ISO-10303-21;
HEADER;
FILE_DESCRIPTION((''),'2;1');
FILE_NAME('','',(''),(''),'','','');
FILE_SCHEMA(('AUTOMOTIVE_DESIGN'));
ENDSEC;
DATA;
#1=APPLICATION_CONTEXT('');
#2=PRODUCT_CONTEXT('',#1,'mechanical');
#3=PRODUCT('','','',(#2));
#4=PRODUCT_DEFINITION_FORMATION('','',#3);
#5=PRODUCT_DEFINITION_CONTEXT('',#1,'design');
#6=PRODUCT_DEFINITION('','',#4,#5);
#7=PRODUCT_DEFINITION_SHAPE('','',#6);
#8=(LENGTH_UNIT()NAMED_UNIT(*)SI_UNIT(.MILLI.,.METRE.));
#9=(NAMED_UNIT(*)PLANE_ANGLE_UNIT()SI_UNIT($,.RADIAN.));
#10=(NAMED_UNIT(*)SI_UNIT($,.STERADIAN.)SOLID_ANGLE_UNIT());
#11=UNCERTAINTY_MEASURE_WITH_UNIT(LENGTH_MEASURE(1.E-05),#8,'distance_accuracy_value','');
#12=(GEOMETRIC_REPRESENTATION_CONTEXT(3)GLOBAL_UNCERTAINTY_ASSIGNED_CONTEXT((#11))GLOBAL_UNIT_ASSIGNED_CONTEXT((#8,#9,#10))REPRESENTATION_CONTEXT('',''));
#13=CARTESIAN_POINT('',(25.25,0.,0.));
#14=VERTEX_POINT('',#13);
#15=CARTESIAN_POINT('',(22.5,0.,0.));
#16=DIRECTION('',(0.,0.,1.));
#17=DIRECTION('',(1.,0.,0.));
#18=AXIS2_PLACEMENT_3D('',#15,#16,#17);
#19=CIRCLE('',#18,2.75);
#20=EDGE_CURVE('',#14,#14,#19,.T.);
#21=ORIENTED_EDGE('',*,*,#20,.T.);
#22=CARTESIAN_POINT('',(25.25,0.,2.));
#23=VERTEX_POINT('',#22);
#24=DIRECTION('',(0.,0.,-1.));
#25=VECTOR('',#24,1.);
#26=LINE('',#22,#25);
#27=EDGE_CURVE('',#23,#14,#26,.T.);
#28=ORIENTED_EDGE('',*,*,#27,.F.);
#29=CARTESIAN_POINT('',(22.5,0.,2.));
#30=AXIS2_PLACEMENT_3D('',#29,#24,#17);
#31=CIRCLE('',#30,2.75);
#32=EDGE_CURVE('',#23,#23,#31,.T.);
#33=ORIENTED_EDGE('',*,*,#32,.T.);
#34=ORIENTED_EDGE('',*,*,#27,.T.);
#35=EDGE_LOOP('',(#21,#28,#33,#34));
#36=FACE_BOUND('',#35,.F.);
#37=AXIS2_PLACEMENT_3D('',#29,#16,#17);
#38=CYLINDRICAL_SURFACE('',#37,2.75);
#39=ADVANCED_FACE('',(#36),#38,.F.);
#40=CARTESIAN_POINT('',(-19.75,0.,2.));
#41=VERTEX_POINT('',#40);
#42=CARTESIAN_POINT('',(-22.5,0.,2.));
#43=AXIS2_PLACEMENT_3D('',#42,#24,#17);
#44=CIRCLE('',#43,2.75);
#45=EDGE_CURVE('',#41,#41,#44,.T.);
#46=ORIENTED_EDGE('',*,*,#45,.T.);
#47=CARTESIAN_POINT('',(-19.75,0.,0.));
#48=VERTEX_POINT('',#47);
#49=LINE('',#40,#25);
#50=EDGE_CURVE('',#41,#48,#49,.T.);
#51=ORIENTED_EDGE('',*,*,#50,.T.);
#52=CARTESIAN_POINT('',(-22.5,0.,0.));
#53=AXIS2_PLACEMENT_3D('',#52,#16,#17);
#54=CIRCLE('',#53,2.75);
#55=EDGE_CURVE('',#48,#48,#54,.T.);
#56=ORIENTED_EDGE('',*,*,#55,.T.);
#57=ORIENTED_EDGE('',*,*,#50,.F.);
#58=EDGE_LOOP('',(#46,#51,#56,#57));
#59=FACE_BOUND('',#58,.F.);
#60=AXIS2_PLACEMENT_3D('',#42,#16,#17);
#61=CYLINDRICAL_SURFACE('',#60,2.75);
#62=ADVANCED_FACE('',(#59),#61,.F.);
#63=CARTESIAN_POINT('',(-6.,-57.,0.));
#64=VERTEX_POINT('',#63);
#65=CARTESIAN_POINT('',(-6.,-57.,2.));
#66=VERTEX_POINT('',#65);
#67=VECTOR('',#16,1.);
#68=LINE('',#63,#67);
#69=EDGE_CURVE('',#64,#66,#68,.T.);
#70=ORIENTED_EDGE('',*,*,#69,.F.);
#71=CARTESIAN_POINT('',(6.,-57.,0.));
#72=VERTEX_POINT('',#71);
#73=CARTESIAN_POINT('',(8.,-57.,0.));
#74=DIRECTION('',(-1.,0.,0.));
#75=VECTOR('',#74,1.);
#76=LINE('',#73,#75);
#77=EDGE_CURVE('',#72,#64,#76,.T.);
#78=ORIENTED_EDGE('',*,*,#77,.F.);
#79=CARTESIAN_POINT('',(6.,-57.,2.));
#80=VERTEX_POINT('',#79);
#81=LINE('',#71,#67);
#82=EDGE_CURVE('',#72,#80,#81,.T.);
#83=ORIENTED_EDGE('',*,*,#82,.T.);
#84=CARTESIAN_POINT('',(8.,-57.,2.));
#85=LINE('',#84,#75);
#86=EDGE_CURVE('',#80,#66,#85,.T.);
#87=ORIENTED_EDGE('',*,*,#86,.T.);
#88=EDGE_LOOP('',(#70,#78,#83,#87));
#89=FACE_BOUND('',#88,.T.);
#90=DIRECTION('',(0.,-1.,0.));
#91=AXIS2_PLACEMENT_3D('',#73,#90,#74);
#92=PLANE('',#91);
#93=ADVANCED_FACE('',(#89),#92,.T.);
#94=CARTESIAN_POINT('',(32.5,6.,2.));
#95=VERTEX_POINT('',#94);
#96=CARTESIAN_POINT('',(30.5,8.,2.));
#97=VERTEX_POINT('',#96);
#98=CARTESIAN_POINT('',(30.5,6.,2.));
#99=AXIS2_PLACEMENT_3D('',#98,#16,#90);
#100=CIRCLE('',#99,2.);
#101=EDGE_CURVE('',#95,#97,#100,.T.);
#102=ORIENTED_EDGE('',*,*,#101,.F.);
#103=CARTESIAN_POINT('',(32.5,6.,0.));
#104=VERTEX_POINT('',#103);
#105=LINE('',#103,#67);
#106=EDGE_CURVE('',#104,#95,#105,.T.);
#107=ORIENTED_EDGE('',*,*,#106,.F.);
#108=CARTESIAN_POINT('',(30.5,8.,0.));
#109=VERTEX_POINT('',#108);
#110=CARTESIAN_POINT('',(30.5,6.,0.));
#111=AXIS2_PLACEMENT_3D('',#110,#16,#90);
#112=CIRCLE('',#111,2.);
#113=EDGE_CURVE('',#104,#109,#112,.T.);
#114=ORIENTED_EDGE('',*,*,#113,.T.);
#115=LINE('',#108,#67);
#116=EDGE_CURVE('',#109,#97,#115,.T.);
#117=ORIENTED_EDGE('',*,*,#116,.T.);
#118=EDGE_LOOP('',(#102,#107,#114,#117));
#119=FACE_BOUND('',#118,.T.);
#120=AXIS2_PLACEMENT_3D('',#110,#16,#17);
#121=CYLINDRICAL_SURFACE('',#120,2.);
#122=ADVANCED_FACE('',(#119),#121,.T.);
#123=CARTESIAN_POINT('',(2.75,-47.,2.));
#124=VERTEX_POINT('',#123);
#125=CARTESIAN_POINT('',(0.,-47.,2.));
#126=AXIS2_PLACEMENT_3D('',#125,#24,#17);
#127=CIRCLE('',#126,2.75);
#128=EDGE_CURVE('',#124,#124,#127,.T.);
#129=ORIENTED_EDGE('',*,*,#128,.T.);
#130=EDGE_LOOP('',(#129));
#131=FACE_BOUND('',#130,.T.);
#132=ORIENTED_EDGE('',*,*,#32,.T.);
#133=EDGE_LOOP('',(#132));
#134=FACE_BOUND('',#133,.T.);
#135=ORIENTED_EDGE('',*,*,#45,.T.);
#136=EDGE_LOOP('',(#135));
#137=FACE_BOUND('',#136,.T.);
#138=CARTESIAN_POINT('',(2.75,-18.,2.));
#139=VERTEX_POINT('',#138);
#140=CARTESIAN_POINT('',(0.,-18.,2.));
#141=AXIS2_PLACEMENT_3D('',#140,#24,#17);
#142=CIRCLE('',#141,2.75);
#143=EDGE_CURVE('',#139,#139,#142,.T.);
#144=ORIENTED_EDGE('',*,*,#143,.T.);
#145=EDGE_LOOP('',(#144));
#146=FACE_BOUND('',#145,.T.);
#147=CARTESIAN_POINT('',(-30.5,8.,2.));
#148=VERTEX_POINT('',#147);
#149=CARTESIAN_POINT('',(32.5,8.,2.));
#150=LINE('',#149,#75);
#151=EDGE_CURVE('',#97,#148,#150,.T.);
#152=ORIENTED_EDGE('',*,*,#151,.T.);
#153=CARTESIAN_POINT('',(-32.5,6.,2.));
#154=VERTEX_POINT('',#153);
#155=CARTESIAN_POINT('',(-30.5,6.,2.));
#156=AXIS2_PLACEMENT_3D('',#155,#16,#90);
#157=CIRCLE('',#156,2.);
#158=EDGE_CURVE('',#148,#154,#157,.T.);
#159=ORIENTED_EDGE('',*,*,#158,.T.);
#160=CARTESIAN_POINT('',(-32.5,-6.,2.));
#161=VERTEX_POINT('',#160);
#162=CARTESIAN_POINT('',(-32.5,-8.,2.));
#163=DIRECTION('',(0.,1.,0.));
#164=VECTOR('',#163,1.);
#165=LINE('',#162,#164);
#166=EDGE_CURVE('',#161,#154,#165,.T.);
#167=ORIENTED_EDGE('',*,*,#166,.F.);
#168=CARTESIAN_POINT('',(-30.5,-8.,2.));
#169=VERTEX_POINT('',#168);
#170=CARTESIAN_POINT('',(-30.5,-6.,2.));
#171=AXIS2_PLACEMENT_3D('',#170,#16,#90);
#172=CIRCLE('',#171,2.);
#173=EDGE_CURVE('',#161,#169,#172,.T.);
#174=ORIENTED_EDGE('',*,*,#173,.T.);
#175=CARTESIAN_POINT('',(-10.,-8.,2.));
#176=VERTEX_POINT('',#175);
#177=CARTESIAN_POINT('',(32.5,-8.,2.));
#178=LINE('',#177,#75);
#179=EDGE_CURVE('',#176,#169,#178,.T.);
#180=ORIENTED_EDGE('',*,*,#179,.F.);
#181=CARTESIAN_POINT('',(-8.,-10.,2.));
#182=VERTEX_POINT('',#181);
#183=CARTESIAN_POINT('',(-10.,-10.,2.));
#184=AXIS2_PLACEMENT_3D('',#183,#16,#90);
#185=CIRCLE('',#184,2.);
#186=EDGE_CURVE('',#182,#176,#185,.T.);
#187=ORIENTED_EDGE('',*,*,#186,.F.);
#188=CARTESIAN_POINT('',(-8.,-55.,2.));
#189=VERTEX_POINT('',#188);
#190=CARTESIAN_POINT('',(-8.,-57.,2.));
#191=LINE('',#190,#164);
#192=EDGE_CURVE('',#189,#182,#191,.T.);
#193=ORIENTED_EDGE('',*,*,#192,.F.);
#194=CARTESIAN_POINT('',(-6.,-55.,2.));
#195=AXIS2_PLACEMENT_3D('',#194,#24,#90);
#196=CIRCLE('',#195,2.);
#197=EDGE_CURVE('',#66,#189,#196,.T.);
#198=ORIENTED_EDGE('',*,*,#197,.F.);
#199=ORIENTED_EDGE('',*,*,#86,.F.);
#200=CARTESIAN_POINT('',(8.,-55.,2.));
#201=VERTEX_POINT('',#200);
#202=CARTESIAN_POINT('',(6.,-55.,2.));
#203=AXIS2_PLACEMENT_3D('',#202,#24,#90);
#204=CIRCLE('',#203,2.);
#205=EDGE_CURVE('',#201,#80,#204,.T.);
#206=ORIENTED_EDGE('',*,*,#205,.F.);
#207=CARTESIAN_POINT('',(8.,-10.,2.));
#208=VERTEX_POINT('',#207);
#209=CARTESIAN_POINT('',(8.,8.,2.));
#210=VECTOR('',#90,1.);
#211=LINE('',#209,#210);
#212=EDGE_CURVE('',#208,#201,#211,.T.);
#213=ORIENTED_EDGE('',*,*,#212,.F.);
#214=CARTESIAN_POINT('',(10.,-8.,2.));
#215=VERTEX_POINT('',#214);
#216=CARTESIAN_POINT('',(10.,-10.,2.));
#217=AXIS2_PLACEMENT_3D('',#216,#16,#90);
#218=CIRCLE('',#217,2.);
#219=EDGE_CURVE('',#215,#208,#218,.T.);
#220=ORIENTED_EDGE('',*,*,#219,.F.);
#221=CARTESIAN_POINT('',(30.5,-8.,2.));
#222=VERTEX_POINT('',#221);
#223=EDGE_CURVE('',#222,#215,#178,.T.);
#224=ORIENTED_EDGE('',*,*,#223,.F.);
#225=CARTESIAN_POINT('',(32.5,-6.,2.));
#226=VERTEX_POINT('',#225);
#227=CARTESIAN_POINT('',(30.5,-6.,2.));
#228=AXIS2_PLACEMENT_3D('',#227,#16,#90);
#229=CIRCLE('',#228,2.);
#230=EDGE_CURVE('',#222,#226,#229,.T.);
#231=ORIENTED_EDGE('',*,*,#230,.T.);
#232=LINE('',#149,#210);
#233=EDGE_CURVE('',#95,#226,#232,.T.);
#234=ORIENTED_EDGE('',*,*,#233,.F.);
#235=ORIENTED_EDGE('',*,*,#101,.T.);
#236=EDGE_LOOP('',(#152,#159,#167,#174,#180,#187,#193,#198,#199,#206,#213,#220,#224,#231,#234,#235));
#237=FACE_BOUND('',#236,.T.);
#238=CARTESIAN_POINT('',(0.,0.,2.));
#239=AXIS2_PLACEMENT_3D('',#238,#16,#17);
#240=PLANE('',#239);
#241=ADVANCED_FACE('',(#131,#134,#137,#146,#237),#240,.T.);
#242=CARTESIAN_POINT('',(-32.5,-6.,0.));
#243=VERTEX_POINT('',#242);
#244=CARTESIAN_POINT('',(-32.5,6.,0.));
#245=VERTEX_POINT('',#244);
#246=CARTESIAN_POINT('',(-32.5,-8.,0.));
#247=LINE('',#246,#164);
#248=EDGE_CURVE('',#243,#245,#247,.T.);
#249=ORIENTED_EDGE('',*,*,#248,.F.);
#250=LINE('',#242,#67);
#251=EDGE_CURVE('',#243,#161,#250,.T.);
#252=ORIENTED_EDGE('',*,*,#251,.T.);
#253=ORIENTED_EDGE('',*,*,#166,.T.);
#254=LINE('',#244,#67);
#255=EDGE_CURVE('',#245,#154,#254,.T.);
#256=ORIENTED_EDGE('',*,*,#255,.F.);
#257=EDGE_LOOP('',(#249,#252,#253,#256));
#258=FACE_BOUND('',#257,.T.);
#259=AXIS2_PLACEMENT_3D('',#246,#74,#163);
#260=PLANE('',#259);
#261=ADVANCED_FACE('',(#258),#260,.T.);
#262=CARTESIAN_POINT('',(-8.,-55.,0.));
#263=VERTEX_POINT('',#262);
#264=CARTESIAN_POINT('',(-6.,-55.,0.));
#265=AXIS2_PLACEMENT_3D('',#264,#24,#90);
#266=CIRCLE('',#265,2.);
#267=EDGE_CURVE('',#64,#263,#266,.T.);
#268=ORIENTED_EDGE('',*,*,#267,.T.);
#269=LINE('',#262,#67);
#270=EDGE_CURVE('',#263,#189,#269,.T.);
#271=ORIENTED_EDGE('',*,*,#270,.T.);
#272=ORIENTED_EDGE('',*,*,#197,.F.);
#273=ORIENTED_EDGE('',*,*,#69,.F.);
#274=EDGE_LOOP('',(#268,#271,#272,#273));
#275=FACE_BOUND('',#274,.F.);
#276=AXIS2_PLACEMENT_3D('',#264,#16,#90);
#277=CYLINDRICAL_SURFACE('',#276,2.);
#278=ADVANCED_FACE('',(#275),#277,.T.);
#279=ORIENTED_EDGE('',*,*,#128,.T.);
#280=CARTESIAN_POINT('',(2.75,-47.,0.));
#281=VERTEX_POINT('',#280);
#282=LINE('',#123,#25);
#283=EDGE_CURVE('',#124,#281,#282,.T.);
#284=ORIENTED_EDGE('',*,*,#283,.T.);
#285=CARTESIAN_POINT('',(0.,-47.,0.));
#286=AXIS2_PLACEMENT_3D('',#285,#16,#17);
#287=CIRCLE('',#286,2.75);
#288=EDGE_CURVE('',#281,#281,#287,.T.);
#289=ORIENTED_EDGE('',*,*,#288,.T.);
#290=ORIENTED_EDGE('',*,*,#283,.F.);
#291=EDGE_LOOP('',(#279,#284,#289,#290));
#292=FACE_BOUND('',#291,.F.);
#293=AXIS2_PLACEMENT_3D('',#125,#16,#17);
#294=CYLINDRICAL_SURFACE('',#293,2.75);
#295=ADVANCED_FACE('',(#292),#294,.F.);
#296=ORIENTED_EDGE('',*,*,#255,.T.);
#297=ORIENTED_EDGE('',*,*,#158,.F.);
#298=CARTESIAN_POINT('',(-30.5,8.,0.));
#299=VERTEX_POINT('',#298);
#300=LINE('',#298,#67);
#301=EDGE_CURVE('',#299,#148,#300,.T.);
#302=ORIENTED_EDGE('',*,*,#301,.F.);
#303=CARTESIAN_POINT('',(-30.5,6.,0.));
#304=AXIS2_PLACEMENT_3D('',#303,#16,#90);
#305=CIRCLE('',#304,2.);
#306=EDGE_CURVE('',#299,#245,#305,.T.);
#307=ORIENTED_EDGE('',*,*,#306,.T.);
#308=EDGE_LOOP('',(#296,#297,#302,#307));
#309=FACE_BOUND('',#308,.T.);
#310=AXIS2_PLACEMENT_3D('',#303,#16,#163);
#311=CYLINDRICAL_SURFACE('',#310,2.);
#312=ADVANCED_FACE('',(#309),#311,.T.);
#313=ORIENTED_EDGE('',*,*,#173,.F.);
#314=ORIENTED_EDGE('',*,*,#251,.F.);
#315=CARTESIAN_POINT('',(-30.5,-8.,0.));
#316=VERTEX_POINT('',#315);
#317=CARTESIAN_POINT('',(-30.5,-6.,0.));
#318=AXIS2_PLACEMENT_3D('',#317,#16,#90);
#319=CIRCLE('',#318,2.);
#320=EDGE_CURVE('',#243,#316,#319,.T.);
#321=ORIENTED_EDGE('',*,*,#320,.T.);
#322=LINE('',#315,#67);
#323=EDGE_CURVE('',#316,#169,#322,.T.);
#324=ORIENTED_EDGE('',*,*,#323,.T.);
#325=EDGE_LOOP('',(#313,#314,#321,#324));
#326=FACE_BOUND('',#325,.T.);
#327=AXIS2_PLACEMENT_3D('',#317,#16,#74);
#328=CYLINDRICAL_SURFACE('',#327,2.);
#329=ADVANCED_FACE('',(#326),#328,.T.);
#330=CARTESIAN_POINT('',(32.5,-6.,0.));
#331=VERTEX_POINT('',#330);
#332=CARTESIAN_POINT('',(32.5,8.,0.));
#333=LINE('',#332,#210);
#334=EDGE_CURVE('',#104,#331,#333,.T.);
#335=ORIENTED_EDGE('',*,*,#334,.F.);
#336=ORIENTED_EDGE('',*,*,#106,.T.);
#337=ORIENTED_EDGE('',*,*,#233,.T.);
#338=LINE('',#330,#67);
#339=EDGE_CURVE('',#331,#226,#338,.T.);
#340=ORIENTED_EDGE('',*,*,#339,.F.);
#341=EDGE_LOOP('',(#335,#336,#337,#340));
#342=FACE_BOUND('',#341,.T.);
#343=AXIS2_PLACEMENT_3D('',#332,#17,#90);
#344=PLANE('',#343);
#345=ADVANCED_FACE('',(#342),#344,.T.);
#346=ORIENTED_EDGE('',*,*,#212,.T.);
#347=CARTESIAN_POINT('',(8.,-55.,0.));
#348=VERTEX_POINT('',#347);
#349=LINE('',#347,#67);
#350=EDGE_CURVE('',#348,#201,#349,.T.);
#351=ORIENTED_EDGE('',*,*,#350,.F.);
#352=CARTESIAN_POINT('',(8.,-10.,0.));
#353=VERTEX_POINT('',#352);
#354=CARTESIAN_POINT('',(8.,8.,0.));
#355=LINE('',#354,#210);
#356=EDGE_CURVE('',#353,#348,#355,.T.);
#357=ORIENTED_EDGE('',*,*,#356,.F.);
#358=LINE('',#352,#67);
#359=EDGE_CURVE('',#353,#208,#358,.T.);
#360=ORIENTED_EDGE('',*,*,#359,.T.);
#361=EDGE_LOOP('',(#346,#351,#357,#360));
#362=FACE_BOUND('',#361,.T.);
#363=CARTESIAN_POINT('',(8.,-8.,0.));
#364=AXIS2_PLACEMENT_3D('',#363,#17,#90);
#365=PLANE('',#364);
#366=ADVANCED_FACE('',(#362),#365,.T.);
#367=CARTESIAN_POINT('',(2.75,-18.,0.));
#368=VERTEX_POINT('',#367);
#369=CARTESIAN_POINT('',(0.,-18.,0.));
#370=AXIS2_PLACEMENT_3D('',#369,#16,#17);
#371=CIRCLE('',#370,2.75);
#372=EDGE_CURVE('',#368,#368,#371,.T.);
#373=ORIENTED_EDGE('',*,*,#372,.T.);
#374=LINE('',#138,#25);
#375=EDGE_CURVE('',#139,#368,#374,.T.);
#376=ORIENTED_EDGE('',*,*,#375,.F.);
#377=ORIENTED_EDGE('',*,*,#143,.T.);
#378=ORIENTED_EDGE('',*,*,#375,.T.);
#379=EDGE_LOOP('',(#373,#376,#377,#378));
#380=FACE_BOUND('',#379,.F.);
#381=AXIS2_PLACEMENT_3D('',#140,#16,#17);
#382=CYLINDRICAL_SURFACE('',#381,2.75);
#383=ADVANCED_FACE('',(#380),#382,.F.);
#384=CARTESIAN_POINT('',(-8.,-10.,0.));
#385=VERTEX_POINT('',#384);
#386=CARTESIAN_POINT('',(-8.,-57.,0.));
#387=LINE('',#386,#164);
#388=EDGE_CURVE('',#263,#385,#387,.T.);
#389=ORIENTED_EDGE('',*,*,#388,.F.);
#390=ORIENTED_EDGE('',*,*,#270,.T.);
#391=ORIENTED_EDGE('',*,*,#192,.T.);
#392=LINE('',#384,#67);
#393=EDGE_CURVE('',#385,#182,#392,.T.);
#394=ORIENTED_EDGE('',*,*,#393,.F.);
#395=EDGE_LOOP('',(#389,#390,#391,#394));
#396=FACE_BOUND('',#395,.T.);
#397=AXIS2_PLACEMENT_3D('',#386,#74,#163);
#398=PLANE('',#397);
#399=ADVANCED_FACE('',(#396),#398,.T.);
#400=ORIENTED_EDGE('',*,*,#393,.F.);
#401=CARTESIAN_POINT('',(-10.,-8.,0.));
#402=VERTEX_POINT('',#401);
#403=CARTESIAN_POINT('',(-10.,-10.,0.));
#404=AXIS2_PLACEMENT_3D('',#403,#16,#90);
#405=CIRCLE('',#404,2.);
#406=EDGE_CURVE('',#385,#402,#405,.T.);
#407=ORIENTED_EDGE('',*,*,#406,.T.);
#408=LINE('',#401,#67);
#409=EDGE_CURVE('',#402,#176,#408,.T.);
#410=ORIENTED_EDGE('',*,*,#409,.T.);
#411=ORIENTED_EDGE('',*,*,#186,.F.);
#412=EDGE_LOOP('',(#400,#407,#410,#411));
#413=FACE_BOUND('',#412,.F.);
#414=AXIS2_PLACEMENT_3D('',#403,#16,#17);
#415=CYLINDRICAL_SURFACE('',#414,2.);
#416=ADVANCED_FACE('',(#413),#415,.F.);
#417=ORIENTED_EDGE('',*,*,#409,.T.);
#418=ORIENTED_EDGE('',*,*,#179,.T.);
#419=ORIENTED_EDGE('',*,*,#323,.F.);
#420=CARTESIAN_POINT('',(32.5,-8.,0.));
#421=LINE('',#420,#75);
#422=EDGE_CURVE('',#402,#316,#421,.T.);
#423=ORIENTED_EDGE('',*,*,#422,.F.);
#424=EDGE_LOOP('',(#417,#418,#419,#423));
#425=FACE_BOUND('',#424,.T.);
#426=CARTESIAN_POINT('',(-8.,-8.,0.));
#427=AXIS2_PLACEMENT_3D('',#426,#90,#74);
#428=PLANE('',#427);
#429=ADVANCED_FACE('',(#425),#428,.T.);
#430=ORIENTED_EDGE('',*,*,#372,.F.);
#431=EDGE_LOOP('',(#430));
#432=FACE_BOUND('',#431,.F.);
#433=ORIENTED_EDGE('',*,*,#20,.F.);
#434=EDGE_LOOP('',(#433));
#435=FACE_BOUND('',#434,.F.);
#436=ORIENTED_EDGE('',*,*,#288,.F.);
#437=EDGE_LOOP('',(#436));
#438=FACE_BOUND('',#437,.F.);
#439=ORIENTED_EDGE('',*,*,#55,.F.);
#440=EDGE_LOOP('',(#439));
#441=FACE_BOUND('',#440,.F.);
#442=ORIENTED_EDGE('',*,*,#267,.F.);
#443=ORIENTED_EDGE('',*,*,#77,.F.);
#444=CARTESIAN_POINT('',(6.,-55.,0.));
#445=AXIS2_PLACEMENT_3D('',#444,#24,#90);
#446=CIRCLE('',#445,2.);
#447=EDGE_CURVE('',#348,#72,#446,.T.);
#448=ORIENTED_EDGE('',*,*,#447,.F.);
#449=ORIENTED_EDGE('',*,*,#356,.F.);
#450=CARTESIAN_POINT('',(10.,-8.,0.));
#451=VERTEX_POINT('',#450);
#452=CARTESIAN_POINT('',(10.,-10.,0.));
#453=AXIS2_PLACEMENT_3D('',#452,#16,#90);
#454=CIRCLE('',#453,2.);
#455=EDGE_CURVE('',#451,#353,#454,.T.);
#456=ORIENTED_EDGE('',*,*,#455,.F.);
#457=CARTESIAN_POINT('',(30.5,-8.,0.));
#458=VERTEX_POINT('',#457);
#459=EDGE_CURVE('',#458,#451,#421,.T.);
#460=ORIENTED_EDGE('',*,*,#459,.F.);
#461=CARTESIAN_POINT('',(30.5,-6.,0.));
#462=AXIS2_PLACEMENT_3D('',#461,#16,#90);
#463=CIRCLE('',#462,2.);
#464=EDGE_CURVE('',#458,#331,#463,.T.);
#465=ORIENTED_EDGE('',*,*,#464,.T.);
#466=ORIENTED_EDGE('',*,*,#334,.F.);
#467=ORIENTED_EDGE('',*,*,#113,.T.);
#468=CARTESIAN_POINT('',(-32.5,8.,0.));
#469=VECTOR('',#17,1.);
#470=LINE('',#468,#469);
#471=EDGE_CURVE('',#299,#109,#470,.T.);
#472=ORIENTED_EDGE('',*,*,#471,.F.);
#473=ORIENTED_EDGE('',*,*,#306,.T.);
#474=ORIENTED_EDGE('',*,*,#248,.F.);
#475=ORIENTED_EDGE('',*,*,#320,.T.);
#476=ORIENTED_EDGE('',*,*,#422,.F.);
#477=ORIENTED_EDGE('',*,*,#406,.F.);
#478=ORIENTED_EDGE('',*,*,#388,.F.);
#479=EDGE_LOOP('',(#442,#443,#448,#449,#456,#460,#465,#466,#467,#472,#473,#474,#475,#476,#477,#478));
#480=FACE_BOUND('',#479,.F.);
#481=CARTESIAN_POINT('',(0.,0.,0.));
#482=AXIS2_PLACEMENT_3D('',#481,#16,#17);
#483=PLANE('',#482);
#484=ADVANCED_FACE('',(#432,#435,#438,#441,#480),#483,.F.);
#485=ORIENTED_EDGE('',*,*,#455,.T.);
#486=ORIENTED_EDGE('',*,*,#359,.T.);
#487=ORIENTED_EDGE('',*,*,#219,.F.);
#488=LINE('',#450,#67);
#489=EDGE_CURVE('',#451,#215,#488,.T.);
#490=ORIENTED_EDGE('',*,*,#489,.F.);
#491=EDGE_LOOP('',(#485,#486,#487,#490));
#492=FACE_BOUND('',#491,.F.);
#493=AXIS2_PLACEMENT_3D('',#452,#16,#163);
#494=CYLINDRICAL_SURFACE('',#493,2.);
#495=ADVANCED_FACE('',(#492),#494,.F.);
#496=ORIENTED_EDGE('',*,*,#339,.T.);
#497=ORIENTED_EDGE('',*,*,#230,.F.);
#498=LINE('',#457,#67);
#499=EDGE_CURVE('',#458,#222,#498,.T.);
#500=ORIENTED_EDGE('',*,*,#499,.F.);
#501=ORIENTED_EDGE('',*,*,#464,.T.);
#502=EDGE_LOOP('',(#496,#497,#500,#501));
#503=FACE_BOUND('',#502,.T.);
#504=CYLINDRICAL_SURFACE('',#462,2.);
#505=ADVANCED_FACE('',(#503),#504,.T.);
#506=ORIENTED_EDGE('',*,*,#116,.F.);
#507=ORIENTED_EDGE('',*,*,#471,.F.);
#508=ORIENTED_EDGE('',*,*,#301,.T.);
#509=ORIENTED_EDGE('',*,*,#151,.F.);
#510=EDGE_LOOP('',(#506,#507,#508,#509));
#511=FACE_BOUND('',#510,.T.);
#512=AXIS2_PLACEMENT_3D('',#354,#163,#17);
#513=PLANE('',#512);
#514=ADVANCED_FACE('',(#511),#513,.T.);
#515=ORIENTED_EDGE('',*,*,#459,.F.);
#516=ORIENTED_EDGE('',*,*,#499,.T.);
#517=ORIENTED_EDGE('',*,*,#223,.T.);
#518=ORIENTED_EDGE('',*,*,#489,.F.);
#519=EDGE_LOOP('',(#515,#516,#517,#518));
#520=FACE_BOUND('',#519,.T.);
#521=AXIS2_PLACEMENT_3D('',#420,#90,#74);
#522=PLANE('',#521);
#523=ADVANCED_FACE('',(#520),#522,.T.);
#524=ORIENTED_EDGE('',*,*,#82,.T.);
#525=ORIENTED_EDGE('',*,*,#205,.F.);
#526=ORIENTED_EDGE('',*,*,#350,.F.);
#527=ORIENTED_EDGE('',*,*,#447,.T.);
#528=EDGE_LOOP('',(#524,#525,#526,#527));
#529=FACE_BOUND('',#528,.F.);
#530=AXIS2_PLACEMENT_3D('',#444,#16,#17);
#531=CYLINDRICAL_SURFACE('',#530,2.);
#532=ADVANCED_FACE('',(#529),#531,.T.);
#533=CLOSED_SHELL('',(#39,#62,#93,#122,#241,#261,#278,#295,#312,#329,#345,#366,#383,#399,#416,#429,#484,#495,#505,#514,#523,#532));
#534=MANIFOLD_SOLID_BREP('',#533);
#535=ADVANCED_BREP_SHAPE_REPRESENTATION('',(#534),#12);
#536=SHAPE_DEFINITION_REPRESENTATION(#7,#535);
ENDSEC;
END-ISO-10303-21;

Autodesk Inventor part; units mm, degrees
ref_plane "YZ Plane" through (0, 0, 0) normal (1, 0, 0) x (0, 1, 0)
ref_plane "XZ Plane" through (0, 0, 0) normal (0, 1, 0) x (-1, 0, 0)
ref_plane "XY Plane" through (0, 0, 0) normal (0, 0, 1) x (1, 0, 0)
sketch "草图1" plane through (0, 0, 0) normal (0, 0, 1) x (1, 0, 0)
  line L0 (32.5, -8) -> (-32.5, -8)
  line L1 (-32.5, -8) -> (-32.5, 8)
  line L2 (-32.5, 8) -> (32.5, 8)
  line L3 (32.5, 8) -> (32.5, -8)
  line L4 (32.5, -8) -> (-32.5, 8) construction
  line L5 (-32.5, -8) -> (32.5, 8) construction
  line L6 (8, -57) -> (-8, -57)
  line L7 (-8, -57) -> (-8, 8)
  line L8 (-8, 8) -> (8, 8)
  line L9 (8, 8) -> (8, -57)
  line L10 (8, -57) -> (-8, 8) construction
  line L11 (-8, -57) -> (8, 8) construction
  line L12 (0, 0) -> (0, -24.5)
  point P0 (-8, -8)
  point P1 (8, -8)
  dimension "d0" = 65
  dimension "d1" = 16
  dimension "d2" = 49
  dimension "d3" = 16
extrude "拉伸1" add sketch "草图1" along normal blind 2
sketch "草图2" plane through (0, 0, 2) normal (0, 0, 1) x (1, 0, 0)
  line L0 (-32.5, 8) -> (-32.5, -8) projected
  line L1 (-32.5, 0) -> (32.5, 0)
  line L2 (32.5, -8) -> (32.5, 8) projected
  line L3 (0, 8) -> (0, -57)
  line L4 (-8, -57) -> (8, -57) projected
  circle A0 centre (-22.5, 0) radius 2.75
  circle A1 centre (0, -18) radius 2.75
  circle A2 centre (0, -47) radius 2.75
  circle A3 centre (22.5, 0) radius 2.75
  point P0 (0, 0)
  dimension "d6" = 22.5
  dimension "d7" = 5.5
  dimension "d8" = 5.5
  dimension "d9" = 5.5
  dimension "d10" = 29
  dimension "d11" = 10
extrude "拉伸2" cut sketch "草图2" against normal blind 10
fillet "圆角1" radius 2 8 edges at (-8, -8, 1) (-32.5, -8, 1) (-32.5, 8, 1) (32.5, -8, 1) (-8, -57, 1) (8, -57, 1) (8, -8, 1) (32.5, 8, 1)
equation "\"d12\" = d11"
properties part number "T型"
